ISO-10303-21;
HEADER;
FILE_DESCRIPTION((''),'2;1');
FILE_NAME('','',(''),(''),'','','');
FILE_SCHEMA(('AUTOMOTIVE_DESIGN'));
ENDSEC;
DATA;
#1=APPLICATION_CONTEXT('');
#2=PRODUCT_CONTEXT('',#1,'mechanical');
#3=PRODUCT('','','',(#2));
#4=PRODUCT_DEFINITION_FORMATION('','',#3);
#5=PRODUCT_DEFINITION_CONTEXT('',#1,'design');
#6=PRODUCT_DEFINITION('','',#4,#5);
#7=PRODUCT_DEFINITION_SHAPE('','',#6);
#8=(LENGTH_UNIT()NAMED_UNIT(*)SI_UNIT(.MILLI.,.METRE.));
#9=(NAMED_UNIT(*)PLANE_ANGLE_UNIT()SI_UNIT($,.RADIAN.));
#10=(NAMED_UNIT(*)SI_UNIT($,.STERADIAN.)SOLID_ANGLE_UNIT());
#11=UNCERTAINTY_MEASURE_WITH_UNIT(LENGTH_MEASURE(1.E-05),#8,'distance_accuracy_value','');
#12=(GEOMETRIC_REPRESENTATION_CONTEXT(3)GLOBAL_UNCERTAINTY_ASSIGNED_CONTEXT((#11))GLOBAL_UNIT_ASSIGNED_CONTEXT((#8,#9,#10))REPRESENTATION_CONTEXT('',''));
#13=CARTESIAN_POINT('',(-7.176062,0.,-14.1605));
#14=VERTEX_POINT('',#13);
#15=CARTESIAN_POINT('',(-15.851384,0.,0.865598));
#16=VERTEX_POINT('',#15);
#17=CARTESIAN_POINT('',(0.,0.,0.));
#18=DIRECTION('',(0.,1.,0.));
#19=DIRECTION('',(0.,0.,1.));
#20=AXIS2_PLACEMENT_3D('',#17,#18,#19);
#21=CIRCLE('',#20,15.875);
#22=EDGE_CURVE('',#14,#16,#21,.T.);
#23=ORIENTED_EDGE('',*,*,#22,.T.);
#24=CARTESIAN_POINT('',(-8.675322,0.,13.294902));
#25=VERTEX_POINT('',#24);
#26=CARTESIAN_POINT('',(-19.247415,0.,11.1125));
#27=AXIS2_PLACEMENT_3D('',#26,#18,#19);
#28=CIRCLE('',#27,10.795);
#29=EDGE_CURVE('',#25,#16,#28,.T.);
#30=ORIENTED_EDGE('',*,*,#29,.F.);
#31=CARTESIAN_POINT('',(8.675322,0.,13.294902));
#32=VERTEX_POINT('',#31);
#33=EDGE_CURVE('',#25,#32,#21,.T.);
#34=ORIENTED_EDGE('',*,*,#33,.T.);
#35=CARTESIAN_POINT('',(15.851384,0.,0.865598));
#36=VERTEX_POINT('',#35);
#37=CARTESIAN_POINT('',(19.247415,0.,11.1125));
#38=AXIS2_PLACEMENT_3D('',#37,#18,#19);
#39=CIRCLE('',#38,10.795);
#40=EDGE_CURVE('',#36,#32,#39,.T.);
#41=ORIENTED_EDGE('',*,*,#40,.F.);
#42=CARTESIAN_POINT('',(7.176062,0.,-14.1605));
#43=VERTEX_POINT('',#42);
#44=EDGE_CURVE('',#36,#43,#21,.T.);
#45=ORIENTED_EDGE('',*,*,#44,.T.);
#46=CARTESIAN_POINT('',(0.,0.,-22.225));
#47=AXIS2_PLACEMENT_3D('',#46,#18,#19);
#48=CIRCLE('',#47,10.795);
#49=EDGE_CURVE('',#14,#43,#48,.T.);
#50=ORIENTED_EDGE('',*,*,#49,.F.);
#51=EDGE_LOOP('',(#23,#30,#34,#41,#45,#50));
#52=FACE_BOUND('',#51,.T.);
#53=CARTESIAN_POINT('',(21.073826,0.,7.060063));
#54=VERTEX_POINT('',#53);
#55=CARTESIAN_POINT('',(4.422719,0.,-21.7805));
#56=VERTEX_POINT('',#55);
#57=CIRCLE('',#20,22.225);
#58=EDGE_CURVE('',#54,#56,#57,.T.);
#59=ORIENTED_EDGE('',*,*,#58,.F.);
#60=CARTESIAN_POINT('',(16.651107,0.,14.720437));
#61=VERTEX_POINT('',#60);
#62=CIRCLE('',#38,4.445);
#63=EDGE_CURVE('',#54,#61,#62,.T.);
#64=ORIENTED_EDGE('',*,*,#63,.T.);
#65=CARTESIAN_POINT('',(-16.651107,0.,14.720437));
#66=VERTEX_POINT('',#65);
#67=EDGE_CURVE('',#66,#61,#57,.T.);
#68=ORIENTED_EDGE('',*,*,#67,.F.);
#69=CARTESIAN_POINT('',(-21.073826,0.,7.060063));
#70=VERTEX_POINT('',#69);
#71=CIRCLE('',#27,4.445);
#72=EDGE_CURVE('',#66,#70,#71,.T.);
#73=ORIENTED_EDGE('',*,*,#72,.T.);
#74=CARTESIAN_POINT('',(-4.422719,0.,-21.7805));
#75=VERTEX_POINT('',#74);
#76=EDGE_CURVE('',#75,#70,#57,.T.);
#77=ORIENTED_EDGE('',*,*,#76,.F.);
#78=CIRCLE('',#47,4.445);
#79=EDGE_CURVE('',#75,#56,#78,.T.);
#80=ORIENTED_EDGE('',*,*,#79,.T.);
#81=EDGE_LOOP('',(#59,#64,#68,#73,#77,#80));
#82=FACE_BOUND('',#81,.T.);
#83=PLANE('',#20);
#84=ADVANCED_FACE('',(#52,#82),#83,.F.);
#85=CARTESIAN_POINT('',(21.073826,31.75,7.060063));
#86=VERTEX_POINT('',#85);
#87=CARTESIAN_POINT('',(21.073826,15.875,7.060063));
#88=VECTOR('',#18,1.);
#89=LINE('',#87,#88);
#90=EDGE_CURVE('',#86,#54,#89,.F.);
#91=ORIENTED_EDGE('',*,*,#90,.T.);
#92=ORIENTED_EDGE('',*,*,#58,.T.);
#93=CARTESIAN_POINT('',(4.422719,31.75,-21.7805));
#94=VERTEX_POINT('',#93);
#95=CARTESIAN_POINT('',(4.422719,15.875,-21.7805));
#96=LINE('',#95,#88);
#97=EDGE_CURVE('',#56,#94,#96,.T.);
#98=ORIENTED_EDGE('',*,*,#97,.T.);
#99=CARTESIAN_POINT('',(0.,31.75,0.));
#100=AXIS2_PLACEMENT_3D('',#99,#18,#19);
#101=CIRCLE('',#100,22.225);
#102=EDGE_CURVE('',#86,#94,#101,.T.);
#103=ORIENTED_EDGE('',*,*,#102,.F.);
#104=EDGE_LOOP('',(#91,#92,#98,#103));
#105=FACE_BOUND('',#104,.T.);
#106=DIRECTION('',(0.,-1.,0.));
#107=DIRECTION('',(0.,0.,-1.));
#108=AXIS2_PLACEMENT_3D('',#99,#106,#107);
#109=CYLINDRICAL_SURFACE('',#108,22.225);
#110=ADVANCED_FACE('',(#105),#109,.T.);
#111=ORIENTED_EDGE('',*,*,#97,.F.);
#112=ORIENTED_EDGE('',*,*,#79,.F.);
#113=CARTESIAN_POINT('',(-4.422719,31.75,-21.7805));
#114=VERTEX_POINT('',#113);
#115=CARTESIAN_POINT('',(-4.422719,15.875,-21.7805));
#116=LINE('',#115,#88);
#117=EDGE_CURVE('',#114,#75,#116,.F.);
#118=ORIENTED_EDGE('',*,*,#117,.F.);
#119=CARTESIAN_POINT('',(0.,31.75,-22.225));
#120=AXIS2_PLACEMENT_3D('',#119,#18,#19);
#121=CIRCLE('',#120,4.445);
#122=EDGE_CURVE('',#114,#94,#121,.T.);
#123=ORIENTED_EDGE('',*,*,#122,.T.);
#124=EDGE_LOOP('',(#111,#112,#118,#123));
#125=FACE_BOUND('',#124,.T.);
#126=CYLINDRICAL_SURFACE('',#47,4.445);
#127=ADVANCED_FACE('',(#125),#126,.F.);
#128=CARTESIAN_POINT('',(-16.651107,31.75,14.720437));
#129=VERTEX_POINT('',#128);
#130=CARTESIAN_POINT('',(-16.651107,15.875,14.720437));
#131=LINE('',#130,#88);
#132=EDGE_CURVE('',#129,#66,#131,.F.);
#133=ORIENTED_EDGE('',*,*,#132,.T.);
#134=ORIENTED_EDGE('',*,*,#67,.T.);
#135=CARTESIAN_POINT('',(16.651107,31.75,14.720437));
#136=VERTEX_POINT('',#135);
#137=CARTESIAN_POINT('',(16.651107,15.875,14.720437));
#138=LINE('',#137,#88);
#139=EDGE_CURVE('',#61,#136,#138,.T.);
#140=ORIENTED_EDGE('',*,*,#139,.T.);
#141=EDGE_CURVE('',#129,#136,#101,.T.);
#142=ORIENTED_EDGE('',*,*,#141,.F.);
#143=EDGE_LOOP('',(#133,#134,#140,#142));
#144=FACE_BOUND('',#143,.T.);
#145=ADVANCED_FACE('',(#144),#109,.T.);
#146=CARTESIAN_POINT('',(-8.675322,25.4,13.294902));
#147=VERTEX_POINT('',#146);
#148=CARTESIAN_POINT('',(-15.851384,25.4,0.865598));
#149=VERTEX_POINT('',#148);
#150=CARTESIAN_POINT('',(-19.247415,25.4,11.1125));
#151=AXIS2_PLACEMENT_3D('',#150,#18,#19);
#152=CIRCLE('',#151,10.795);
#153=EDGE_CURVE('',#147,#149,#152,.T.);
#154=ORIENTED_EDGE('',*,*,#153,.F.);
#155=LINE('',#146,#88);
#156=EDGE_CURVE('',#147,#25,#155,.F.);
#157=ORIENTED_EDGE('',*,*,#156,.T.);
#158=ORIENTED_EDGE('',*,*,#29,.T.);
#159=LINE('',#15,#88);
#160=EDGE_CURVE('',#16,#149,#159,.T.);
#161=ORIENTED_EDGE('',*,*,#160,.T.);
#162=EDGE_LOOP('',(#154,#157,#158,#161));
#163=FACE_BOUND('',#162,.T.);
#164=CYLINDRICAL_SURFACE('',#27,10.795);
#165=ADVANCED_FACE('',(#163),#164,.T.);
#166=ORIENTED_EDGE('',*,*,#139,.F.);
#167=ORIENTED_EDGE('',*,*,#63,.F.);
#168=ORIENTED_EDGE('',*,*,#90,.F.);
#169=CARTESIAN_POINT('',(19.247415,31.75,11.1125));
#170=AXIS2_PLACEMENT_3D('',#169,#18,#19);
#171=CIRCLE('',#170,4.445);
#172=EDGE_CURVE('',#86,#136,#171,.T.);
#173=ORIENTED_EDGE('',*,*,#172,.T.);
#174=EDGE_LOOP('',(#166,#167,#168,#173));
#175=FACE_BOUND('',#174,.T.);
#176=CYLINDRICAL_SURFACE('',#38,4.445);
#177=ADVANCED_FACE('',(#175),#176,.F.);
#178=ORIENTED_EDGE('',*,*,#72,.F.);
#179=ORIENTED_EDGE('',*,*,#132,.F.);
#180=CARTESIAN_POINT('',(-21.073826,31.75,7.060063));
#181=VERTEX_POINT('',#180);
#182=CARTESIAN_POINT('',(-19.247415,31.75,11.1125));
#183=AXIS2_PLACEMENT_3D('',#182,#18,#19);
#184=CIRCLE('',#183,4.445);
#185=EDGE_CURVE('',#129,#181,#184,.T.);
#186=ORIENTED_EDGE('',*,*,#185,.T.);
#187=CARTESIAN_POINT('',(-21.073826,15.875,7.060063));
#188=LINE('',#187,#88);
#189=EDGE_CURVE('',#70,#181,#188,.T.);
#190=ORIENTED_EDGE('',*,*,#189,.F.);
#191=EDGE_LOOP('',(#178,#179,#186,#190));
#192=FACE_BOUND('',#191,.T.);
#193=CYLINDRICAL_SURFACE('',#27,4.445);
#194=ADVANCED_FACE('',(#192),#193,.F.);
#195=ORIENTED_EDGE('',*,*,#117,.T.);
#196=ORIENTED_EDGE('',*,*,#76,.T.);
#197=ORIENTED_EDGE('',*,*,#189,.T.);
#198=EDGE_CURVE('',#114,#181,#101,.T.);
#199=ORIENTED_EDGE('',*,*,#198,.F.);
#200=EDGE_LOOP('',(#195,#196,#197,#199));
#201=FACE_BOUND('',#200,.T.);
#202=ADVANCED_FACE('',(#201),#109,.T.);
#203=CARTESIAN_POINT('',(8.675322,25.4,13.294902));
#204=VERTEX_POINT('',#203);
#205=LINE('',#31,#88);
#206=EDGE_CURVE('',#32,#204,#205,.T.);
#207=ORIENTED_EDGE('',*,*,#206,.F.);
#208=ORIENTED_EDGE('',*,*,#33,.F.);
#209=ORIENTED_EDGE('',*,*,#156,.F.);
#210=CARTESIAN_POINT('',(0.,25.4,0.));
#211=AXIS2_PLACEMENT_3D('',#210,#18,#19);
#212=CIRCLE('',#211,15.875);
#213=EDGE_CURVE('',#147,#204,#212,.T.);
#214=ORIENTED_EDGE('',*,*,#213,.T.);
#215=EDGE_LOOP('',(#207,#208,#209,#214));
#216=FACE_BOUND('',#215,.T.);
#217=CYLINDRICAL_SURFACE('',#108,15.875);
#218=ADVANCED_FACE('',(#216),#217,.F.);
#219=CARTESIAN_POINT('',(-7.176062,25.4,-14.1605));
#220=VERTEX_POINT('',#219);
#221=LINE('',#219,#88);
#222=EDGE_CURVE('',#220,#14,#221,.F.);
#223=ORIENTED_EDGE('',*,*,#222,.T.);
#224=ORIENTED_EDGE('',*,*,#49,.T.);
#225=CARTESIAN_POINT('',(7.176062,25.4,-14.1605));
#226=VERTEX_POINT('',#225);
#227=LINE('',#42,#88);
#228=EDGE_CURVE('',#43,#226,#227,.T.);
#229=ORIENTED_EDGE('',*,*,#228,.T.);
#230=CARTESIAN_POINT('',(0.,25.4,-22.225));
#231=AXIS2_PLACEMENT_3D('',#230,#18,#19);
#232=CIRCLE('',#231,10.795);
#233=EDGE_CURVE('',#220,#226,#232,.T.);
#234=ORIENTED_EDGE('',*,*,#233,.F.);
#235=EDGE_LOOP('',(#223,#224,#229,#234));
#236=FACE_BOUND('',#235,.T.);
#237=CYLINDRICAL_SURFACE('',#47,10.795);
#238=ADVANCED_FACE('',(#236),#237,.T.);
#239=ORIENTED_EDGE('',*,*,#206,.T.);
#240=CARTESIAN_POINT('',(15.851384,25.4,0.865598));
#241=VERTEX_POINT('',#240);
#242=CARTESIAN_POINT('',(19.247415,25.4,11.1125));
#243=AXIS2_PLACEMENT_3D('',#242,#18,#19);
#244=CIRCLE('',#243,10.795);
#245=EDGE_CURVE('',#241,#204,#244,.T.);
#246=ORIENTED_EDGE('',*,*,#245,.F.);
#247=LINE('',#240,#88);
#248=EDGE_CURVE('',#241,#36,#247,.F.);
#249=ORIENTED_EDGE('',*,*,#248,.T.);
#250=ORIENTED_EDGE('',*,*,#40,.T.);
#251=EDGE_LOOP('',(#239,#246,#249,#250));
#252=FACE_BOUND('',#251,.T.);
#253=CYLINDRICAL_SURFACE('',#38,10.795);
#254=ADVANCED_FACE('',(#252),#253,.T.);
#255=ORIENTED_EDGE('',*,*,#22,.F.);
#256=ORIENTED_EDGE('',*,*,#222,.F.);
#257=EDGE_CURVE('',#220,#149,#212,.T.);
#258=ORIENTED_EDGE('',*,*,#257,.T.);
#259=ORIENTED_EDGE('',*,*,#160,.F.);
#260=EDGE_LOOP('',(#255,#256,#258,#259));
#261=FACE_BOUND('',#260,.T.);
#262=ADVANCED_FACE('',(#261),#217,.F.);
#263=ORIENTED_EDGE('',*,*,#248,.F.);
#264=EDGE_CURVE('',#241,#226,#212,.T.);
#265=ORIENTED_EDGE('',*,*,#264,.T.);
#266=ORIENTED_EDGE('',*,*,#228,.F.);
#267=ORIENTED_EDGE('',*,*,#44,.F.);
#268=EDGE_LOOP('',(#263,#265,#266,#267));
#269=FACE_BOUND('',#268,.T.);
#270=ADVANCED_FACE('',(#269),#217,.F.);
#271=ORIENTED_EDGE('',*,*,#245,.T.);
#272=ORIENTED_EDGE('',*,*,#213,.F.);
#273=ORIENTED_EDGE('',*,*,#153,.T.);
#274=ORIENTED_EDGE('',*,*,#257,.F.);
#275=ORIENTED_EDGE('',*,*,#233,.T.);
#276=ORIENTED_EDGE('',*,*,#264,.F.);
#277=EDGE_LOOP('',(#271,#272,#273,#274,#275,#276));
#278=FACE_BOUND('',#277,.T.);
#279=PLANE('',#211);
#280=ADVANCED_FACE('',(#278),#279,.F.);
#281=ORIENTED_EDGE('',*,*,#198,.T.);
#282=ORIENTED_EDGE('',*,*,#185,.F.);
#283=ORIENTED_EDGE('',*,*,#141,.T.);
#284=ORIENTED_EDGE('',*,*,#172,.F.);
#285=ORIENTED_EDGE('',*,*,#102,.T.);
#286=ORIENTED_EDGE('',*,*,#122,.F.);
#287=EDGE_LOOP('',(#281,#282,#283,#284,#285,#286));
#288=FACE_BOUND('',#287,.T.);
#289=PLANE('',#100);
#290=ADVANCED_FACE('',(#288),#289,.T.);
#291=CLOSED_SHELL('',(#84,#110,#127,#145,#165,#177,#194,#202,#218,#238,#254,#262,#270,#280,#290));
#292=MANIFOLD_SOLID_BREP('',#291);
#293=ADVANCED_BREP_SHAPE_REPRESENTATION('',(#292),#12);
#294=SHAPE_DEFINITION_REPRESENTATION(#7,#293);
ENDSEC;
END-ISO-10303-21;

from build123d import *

# Parameters (mm, degrees)
CROQUIS1_R              = 22.225
SALIENTE_EXTRUIR1_DEPTH = 31.75
CROQUIS2_R              = 4.445
CORTAR_EXTRUIR1_DEPTH   = 32.75
VACIADO1_T              = -6.35


with BuildPart() as part:
    # Croquis1 → Saliente-Extruir1 (new body)
    with BuildSketch(Plane(origin=(0, 0, 0), x_dir=(1, 0, 0), z_dir=(0, 1, 0))):
        Circle(CROQUIS1_R)
    extrude(amount=SALIENTE_EXTRUIR1_DEPTH)

    # Croquis2 → Cortar-Extruir1 (cut, through all)
    with BuildSketch(Plane(origin=(0, 31.75, 0), x_dir=(1, 0, 0), z_dir=(0, 1, 0))):
        with Locations((0, 22.225)):
            Circle(CROQUIS2_R)
        with Locations((19.247414599, -11.1125)):
            Circle(CROQUIS2_R)
        with Locations((-19.247414599, -11.1125)):
            Circle(CROQUIS2_R)
    extrude(amount=-CORTAR_EXTRUIR1_DEPTH, mode=Mode.SUBTRACT)

    # Vaciado1
    vaciado1_openings = [part.faces().sort_by_distance(p)[0] for p in [
        (0, 0, 0),
    ]]
    offset(amount=VACIADO1_T, openings=vaciado1_openings, kind=Kind.INTERSECTION)


solid = part.part
